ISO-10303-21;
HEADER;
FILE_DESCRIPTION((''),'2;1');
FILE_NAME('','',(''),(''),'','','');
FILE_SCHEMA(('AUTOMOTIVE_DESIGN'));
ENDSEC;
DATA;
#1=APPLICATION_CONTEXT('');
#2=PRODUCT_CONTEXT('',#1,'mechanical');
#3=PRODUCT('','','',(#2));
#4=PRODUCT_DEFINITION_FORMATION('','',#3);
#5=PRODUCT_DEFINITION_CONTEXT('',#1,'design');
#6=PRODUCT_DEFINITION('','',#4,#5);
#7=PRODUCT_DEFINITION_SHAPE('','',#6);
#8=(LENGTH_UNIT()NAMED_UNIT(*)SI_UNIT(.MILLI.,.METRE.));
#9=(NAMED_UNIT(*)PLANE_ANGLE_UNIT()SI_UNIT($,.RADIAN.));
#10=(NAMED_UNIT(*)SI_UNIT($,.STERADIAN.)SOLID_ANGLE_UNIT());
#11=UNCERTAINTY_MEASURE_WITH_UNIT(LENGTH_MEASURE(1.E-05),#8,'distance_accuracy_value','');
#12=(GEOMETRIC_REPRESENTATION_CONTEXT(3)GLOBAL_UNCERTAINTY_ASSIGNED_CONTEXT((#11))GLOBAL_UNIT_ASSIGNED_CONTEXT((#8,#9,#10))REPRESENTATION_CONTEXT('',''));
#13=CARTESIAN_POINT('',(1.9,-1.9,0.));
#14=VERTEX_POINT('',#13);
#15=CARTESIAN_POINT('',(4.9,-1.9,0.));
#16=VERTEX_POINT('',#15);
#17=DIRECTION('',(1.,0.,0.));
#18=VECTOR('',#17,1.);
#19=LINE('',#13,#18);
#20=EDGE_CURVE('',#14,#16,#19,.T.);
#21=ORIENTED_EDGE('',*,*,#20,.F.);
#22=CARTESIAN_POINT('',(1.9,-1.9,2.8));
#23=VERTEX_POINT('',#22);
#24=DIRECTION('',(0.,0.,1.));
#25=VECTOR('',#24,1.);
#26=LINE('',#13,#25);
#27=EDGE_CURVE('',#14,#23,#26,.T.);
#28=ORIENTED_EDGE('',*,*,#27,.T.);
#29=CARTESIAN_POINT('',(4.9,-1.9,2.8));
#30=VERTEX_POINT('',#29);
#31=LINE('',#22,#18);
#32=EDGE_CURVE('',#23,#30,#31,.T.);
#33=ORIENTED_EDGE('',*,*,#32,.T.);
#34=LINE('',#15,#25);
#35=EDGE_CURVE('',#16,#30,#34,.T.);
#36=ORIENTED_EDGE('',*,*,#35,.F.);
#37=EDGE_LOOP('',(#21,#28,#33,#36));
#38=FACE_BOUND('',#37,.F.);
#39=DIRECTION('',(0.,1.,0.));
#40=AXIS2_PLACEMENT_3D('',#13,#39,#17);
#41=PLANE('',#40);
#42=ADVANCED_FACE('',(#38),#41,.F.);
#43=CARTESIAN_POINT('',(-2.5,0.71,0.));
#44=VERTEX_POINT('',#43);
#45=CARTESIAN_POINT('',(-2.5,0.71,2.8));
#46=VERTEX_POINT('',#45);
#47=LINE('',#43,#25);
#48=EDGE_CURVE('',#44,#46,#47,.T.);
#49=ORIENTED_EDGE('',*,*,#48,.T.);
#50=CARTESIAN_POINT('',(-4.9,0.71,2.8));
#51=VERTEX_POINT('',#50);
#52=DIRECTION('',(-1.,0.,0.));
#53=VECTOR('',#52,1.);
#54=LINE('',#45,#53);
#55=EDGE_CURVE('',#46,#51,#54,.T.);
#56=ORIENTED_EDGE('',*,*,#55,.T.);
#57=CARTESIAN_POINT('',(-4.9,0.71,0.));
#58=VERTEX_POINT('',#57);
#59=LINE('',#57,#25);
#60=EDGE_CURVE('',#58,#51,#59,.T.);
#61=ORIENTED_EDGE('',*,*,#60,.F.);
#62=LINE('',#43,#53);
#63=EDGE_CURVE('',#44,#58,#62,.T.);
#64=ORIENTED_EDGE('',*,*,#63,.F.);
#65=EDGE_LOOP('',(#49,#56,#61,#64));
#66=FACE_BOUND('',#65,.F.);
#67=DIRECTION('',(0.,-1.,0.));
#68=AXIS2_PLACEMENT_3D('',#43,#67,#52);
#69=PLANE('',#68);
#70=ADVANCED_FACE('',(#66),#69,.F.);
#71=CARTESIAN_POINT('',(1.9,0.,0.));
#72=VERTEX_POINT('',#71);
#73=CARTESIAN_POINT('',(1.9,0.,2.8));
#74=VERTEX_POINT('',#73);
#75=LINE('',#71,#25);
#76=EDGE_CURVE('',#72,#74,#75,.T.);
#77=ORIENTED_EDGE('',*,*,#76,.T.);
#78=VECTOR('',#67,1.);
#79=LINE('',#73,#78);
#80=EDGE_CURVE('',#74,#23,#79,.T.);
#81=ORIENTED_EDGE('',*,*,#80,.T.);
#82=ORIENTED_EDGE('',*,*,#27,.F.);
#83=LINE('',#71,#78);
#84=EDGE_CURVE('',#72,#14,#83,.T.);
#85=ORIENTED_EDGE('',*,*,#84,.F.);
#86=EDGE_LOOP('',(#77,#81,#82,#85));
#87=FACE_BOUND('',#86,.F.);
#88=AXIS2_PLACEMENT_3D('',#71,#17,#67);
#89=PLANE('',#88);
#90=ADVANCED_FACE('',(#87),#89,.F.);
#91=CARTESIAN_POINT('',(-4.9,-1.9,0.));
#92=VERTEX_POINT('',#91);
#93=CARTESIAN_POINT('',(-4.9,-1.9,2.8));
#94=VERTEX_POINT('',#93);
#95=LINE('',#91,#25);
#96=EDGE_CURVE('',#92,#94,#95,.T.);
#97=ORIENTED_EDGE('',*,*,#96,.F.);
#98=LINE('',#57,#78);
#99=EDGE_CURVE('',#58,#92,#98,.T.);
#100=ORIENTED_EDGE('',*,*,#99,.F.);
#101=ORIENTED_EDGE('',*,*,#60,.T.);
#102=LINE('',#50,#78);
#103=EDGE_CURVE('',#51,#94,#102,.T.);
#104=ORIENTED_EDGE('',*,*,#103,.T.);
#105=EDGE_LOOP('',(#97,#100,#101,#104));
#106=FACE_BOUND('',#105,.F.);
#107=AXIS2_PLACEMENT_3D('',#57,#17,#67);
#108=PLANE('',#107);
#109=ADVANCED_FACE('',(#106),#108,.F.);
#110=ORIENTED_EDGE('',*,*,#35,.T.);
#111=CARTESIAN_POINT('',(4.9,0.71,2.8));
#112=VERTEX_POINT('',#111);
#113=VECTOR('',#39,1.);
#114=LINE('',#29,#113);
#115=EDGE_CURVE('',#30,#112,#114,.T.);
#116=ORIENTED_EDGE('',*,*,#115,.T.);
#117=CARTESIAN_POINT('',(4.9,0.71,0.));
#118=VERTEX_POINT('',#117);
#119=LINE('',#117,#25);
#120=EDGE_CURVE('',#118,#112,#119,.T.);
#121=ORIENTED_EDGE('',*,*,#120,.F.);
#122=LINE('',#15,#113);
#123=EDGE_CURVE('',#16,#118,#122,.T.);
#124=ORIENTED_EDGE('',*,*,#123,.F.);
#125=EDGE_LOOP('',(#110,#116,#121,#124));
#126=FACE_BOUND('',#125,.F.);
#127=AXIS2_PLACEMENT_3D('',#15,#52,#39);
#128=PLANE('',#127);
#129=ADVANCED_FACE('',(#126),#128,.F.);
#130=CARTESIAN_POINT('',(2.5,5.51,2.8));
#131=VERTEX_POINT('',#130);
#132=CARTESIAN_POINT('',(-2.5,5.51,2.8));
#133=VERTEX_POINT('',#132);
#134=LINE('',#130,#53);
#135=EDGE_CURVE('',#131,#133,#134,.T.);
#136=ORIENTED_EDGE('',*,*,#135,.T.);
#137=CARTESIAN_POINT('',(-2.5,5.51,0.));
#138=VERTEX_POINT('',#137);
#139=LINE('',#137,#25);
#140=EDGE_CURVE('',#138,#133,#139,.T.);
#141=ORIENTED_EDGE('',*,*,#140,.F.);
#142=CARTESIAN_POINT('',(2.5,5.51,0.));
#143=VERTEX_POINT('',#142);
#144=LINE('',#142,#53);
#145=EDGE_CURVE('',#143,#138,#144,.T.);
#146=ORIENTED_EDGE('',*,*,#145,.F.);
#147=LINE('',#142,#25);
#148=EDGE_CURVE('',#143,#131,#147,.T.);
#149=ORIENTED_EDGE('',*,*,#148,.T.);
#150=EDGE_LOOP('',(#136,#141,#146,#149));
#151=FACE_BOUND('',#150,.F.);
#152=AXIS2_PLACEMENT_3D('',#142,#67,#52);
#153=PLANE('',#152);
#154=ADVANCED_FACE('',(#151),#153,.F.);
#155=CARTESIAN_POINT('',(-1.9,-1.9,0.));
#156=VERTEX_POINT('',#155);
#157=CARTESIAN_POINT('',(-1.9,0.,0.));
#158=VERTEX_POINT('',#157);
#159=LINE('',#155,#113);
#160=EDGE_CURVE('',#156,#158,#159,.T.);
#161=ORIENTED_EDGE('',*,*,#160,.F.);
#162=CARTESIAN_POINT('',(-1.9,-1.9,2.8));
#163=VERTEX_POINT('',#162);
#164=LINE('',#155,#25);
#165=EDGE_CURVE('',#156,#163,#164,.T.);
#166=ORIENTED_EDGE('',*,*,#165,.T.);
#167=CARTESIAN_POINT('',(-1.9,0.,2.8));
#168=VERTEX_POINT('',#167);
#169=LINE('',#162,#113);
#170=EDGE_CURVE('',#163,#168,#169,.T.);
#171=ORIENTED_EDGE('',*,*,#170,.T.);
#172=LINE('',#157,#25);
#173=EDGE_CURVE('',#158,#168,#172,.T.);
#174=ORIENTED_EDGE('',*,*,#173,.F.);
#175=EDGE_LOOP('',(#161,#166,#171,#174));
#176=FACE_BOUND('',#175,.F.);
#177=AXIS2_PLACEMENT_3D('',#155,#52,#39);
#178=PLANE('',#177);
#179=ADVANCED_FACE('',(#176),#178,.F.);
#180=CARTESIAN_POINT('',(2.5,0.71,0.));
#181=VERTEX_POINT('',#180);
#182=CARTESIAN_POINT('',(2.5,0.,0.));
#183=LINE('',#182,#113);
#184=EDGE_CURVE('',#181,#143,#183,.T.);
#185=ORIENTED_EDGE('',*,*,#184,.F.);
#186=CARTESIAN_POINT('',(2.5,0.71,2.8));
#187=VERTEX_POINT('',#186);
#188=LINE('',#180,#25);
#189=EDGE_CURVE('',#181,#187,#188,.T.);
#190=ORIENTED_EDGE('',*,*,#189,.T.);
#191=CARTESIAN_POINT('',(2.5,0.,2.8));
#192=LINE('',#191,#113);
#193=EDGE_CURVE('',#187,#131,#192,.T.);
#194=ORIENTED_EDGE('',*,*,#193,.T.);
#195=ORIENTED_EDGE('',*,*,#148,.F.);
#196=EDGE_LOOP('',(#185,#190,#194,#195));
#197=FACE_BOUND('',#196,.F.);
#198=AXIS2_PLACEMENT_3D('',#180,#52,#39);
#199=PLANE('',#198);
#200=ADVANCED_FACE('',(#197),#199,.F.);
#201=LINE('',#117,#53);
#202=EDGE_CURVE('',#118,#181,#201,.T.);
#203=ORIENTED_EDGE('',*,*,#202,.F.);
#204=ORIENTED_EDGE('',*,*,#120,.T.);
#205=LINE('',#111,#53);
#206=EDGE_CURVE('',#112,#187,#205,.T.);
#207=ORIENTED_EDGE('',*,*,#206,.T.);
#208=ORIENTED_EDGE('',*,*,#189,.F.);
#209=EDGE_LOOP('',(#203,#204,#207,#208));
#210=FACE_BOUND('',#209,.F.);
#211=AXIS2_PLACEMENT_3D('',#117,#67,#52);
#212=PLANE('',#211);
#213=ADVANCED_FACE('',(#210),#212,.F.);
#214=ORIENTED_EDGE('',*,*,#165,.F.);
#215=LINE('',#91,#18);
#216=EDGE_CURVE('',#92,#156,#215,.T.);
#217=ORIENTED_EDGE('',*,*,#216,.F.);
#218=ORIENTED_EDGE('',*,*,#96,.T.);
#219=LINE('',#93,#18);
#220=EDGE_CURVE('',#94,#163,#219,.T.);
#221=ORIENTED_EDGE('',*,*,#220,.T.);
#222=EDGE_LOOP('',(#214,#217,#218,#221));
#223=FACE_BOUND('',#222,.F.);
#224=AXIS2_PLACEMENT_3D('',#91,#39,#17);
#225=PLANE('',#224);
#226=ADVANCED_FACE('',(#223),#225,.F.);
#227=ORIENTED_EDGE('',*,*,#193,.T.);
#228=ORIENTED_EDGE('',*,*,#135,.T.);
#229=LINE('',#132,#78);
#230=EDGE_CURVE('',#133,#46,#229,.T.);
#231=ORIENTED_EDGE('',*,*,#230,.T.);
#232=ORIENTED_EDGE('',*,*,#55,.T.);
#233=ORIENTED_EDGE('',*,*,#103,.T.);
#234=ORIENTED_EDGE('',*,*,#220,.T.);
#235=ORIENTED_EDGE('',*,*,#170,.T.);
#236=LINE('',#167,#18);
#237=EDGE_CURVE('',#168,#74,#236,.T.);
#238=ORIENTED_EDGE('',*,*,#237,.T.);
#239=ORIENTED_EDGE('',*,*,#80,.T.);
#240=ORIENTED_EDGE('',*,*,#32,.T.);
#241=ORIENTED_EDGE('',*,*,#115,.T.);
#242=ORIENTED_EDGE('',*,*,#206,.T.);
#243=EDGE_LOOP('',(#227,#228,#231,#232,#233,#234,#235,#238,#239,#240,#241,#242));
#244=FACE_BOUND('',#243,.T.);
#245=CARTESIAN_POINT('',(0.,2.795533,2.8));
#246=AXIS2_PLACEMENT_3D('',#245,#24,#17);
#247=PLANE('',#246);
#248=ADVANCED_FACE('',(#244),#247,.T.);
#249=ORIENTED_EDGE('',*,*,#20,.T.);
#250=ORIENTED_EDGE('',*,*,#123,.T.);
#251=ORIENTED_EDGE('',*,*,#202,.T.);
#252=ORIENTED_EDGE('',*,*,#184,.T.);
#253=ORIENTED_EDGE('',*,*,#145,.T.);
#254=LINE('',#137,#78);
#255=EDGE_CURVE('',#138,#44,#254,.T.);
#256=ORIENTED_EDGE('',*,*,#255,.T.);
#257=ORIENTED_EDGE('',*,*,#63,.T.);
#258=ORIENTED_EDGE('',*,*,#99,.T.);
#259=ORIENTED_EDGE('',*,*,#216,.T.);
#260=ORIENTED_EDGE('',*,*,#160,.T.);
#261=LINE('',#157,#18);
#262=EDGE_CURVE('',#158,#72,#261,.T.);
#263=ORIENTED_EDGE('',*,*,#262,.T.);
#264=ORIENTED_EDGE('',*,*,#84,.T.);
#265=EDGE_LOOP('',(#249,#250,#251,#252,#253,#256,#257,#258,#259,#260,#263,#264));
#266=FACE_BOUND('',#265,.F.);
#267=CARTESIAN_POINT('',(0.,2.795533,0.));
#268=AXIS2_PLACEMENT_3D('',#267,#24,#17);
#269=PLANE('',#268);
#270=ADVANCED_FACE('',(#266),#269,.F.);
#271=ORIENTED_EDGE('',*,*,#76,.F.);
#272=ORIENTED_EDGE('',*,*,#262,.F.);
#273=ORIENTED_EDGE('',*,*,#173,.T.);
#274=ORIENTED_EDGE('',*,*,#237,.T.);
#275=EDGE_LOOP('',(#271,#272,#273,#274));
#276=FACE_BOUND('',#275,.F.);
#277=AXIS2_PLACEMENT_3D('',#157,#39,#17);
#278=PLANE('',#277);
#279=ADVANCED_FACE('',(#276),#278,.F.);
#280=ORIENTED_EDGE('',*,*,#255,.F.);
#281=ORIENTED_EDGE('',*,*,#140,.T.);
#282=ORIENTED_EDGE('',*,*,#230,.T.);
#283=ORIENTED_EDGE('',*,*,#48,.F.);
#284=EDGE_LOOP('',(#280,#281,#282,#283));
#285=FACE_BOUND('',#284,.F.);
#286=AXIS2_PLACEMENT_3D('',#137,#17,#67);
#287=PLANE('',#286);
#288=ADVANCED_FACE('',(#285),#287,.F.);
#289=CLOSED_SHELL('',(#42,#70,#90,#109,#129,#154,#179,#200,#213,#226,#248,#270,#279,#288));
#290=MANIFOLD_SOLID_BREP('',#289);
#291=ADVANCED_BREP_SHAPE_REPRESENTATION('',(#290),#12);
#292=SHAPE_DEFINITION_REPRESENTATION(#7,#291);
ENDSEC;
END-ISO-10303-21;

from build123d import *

# Parameters (mm, degrees)
F0_W     = 0.6
F0_H     = 0.71
F1_DEPTH = 2.8


with BuildPart() as f1:
    # F0 (on Top) → F1 (new body)
    with BuildSketch(Plane.XY):
        Polygon((2.5, 5.51), (-2.5, 5.51), (-2.5, 0.71), (-1.9, 0.71), (-1.9, 0), (1.9, 0), (1.9, 0.71), (2.5, 0.71), align=None)
        with Locations((-2.2, 0.355)):
            Rectangle(F0_W, F0_H)
        Polygon((-2.5, 0), (-2.5, 0.71), (-4.9, 0.71), (-4.9, -1.9), (-1.9, -1.9), (-1.9, 0), align=None)
        with Locations((2.2, 0.355)):
            Rectangle(F0_W, F0_H)
        Polygon((4.9, 0.71), (2.5, 0.71), (2.5, 0), (1.9, 0), (1.9, -1.9), (4.9, -1.9), align=None)
    extrude(amount=F1_DEPTH)


solid = f1.part
